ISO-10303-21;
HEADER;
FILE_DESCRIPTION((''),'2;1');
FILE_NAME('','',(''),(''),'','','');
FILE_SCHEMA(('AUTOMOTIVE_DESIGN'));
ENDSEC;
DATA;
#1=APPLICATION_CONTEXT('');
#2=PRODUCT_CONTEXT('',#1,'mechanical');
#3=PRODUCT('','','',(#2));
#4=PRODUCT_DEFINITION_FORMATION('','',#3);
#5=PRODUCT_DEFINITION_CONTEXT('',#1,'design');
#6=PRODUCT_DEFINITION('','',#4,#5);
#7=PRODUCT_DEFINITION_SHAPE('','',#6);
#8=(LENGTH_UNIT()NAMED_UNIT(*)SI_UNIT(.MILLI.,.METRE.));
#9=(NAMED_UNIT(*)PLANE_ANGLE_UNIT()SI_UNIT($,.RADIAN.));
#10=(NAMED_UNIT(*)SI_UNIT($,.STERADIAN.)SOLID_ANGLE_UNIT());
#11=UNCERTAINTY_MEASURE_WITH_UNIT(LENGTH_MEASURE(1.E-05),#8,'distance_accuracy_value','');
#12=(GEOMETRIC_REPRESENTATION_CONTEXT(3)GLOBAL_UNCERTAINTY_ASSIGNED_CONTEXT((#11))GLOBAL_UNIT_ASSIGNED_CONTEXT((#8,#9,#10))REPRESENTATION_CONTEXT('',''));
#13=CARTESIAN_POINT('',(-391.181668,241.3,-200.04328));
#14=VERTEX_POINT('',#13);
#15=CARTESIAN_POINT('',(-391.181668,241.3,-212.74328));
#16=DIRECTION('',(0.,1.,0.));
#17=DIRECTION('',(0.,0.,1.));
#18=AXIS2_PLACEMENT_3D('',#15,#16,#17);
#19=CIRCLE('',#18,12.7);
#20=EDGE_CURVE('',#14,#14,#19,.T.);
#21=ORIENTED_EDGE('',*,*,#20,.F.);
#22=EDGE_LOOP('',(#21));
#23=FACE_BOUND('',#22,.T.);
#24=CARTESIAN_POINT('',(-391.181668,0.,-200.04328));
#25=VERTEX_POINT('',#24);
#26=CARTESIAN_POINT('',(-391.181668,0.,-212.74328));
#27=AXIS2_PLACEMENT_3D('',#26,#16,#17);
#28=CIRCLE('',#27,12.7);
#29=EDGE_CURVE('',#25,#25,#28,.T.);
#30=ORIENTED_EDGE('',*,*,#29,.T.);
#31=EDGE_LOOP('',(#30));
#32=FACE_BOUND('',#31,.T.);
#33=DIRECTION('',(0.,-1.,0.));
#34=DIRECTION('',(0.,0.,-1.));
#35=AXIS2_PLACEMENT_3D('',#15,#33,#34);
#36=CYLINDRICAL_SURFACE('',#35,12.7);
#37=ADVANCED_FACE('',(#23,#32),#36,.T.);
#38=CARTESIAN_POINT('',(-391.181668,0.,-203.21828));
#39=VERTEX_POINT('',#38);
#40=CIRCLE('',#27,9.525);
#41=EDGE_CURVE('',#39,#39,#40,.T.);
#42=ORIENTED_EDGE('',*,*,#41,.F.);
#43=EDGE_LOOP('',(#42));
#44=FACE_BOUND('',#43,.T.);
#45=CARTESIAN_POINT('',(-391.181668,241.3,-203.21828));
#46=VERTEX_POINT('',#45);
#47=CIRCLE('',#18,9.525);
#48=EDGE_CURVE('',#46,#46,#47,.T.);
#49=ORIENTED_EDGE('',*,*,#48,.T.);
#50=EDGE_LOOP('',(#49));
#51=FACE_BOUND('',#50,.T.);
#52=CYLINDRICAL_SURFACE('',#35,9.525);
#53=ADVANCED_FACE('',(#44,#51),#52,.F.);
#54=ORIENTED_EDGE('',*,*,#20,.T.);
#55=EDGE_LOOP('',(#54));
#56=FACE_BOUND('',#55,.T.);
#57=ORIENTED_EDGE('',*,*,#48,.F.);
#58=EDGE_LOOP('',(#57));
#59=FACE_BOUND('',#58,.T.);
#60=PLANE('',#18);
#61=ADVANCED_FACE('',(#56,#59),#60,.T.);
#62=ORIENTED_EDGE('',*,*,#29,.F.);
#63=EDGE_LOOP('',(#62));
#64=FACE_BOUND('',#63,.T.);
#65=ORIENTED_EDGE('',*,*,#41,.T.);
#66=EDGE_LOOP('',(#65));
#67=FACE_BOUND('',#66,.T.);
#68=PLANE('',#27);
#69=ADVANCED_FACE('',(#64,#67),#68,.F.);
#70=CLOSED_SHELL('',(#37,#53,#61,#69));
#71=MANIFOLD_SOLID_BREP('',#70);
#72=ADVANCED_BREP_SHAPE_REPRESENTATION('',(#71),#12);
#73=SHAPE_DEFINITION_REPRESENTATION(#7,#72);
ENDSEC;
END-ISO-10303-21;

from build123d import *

# Parameters (mm, degrees)
SKETCH1_R           = 12.7
SKETCH1_R_2         = 9.525
BOSS_EXTRUDE2_DEPTH = 241.3


with BuildPart() as part:
    # Sketch1 → Boss-Extrude2 (new body)
    with BuildSketch(Plane(origin=(0, 0, 0), x_dir=(1, 0, 0), z_dir=(0, 1, 0))):
        with Locations((-391.181668083, 212.743279788)):
            Circle(SKETCH1_R)
        with Locations((-391.181668083, 212.743279788)):
            Circle(SKETCH1_R_2, mode=Mode.SUBTRACT)
    extrude(amount=BOSS_EXTRUDE2_DEPTH)


solid = part.part
